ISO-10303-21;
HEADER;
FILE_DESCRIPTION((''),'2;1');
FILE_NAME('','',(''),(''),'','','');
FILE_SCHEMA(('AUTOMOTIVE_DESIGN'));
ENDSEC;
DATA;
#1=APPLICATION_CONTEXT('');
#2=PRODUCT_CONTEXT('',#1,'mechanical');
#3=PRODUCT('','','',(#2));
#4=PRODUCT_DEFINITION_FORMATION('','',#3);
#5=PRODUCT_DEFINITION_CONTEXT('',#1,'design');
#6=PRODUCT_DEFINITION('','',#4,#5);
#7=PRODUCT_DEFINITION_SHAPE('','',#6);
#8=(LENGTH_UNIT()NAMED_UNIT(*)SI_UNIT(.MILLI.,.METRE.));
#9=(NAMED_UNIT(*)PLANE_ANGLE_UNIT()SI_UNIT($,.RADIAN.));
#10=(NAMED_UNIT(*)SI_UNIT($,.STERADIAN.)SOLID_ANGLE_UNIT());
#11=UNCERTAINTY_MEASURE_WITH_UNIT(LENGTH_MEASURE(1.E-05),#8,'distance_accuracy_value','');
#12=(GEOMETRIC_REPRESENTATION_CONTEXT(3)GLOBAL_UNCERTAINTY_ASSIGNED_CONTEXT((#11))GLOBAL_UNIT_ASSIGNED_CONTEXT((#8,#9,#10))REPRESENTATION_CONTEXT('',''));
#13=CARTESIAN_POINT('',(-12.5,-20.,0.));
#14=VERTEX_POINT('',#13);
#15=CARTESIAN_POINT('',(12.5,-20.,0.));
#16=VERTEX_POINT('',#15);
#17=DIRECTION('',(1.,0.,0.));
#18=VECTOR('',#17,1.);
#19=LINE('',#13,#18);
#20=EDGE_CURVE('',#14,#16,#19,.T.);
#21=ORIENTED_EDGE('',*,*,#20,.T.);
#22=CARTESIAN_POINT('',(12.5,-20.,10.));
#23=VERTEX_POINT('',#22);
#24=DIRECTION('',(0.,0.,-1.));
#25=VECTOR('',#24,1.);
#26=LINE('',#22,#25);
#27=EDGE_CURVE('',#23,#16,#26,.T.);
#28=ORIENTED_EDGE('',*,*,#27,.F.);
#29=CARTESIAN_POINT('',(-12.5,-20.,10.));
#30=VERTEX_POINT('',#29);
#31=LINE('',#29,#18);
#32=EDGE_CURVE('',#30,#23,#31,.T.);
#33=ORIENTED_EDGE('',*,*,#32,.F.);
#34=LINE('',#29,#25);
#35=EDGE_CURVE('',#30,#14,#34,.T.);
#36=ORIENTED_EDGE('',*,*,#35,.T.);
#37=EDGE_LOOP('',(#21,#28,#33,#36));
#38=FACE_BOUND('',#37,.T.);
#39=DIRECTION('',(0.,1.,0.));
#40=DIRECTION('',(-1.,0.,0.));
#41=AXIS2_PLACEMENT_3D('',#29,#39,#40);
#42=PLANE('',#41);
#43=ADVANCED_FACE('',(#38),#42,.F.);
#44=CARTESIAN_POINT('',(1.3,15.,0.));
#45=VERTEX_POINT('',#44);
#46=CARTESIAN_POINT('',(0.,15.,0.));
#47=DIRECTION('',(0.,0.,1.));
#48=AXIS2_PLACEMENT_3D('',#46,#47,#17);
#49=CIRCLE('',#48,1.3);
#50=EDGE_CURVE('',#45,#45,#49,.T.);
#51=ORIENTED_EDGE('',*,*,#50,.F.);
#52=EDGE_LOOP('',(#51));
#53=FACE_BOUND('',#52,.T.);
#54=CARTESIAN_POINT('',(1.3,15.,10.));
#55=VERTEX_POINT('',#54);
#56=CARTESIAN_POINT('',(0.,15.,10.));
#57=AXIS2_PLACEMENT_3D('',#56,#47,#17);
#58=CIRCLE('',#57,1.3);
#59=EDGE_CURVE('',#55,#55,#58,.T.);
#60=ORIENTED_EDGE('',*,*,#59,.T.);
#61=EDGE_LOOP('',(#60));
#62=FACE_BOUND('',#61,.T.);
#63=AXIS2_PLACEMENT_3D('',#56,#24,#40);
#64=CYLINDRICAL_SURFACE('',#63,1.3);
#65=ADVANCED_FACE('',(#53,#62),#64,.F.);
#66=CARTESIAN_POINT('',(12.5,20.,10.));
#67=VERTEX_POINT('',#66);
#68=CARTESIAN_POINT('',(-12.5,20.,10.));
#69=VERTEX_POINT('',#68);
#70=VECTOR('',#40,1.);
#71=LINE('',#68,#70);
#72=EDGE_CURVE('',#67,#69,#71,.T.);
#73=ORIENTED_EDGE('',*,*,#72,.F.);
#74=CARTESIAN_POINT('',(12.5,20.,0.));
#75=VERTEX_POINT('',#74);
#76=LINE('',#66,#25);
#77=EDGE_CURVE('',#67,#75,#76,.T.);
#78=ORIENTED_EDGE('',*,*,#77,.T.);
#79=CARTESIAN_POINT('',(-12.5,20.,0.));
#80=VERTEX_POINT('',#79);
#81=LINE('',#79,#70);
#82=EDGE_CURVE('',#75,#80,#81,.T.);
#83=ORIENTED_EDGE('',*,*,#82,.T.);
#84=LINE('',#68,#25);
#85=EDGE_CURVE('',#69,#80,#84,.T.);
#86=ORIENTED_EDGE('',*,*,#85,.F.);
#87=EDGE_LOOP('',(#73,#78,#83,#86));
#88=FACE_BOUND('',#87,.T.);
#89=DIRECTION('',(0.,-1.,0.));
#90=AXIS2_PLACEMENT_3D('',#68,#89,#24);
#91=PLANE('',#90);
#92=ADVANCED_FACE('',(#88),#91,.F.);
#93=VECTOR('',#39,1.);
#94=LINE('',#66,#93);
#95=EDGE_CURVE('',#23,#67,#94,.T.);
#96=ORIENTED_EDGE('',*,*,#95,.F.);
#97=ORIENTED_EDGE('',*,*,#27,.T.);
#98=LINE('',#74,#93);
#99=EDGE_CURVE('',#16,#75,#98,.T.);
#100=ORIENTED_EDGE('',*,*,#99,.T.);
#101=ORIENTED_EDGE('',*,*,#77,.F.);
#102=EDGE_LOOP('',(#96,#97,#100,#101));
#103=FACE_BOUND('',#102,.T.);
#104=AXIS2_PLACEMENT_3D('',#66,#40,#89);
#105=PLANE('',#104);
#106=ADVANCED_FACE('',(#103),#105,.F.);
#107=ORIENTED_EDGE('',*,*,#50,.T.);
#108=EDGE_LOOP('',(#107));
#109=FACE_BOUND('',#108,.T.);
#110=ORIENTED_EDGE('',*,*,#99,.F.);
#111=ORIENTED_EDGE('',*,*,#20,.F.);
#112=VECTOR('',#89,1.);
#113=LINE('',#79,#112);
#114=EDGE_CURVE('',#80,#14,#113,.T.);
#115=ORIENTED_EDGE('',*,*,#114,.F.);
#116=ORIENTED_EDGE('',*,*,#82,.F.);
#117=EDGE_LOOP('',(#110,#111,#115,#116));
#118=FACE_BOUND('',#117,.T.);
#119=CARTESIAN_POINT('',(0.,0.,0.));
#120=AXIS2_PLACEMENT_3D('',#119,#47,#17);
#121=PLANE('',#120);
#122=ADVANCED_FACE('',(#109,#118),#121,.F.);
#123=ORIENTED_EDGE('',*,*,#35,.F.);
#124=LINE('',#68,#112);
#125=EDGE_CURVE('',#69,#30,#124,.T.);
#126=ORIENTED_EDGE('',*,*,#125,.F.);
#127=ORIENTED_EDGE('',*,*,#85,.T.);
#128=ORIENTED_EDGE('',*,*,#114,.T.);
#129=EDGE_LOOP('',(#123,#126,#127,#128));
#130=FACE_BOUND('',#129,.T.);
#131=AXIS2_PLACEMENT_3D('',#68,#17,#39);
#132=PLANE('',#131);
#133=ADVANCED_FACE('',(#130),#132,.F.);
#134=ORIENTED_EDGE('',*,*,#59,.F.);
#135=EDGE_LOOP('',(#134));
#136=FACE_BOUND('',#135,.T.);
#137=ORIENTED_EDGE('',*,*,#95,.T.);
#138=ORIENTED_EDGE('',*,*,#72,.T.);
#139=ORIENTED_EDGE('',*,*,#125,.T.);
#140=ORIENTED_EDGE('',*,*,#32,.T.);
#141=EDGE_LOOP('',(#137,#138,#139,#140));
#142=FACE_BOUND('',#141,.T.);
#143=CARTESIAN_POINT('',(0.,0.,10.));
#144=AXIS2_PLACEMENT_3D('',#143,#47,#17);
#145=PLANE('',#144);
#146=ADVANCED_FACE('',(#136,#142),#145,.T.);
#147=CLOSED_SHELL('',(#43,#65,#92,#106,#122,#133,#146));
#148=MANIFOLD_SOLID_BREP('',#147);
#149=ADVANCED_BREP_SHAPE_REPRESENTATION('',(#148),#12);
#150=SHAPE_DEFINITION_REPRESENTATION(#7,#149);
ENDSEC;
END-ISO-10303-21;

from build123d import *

# Parameters (mm, degrees)
SKETCH1_W           = 25
SKETCH1_H           = 40
SKETCH1_R           = 1.3
BOSS_EXTRUDE1_DEPTH = 10


with BuildPart() as part:
    # Sketch1 → Boss-Extrude1 (new body)
    with BuildSketch(Plane.XY):
        Rectangle(SKETCH1_W, SKETCH1_H)
        with Locations((0, 15)):
            Circle(SKETCH1_R, mode=Mode.SUBTRACT)
    extrude(amount=BOSS_EXTRUDE1_DEPTH)


solid = part.part
